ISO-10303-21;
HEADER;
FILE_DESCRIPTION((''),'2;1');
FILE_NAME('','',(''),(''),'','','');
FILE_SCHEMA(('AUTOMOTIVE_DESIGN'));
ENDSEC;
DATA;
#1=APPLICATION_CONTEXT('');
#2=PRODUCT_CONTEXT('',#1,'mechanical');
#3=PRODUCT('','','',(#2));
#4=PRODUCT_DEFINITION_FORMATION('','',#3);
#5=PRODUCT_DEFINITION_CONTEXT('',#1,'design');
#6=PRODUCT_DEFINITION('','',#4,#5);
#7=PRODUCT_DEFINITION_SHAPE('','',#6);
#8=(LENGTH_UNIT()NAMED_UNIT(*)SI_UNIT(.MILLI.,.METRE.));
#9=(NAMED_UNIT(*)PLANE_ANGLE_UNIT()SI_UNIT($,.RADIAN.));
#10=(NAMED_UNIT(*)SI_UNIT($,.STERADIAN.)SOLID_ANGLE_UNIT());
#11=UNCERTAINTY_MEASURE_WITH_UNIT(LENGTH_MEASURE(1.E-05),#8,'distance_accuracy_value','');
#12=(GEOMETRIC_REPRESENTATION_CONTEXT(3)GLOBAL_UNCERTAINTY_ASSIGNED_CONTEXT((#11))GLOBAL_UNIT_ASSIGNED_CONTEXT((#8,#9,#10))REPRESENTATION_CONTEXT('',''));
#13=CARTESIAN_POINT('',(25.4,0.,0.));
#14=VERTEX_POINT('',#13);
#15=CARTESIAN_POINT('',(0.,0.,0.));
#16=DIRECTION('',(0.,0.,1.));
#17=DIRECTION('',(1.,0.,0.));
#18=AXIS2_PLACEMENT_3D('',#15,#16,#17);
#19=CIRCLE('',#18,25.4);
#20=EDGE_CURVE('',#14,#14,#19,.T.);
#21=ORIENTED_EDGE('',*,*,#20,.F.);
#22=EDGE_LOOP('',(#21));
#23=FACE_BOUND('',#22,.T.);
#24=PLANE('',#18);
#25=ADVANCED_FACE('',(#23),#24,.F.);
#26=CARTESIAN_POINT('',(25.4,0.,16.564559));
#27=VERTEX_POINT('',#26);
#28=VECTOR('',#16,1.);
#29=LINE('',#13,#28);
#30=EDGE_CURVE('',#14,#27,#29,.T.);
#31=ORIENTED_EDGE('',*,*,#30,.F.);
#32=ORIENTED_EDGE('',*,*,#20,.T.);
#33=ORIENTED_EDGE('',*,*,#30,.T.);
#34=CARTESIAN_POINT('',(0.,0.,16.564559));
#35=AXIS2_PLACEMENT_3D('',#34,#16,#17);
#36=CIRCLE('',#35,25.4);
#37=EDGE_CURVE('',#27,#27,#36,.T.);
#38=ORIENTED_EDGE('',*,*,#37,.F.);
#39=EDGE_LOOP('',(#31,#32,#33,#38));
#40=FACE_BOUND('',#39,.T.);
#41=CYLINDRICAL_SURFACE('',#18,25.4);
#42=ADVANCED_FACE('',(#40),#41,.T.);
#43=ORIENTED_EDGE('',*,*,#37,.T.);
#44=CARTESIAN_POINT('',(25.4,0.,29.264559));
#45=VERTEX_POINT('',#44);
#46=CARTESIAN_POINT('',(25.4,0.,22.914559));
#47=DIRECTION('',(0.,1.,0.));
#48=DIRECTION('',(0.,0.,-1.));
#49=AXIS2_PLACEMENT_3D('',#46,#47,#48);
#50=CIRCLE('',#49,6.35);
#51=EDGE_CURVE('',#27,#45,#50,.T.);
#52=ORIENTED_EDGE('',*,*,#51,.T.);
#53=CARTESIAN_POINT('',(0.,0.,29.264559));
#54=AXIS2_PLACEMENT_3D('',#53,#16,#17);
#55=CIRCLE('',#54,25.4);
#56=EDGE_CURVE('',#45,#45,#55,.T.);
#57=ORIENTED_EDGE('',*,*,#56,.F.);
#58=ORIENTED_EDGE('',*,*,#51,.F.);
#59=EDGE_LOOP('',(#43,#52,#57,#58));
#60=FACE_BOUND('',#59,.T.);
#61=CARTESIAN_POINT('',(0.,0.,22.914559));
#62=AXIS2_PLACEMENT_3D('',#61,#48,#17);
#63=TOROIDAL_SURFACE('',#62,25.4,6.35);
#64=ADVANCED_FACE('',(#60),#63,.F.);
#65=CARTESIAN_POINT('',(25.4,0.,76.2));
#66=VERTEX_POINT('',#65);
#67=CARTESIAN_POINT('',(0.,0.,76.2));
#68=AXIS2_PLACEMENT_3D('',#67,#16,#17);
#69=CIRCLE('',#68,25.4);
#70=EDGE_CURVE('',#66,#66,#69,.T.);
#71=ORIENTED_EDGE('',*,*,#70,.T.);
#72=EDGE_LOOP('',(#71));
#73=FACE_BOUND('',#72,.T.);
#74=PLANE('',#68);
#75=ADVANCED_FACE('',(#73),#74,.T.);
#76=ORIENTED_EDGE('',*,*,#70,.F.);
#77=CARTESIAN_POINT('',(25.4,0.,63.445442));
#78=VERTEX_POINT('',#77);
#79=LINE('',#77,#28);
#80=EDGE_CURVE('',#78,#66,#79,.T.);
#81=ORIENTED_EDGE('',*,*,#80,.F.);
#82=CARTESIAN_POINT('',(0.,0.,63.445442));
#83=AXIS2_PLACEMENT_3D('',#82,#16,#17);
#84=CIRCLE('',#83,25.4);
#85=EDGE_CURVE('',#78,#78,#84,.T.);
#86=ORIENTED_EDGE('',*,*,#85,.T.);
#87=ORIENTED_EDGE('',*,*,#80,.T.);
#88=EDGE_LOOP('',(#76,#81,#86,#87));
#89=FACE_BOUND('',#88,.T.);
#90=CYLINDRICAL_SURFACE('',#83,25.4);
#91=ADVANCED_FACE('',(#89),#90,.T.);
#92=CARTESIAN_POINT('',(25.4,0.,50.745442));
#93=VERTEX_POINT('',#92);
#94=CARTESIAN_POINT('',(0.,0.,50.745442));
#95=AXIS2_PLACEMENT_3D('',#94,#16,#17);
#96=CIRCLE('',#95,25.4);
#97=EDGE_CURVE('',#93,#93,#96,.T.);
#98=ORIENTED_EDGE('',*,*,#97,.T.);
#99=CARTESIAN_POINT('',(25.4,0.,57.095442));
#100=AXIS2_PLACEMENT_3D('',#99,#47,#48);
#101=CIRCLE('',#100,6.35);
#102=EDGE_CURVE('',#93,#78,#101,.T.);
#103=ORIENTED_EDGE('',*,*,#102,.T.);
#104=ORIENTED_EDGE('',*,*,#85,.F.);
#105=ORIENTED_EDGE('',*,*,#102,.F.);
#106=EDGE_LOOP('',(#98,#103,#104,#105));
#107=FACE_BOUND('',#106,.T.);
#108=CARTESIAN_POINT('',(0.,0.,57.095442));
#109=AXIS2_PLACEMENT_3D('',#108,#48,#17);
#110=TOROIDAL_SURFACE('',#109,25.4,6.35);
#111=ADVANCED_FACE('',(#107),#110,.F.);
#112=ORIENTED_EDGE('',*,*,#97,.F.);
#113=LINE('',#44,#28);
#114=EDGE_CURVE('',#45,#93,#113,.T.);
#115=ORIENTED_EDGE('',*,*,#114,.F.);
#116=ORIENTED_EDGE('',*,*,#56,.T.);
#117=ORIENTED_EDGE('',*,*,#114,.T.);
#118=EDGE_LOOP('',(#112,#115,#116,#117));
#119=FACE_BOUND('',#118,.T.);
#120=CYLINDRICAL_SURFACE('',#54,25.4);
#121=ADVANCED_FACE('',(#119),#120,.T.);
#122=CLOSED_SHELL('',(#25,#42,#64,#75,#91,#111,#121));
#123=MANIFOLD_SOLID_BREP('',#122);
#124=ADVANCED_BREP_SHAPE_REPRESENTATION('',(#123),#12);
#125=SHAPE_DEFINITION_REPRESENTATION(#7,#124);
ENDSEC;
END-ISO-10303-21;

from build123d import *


with BuildPart() as f1:
    # F0 (on Front) → F1 (revolve)
    with BuildSketch(Plane.XZ):
        with BuildLine():
            Line((0, 76.2), (0, 0))
            Line((0, 0), (25.4, 0))
            Line((25.4, 0), (25.4, 16.564559))
            ThreePointArc((25.4, 16.564559), (19.05, 22.914559), (25.4, 29.264559))
            Line((25.4, 29.264559), (25.4, 50.745442))
            ThreePointArc((25.4, 50.745442), (19.05, 57.095442), (25.4, 63.445442))
            Line((25.4, 63.445442), (25.4, 76.2))
            Line((25.4, 76.2), (0, 76.2))
        make_face()
    revolve(axis=Axis((0, 0, 38.1), (0, 0, 1)))


solid = f1.part
